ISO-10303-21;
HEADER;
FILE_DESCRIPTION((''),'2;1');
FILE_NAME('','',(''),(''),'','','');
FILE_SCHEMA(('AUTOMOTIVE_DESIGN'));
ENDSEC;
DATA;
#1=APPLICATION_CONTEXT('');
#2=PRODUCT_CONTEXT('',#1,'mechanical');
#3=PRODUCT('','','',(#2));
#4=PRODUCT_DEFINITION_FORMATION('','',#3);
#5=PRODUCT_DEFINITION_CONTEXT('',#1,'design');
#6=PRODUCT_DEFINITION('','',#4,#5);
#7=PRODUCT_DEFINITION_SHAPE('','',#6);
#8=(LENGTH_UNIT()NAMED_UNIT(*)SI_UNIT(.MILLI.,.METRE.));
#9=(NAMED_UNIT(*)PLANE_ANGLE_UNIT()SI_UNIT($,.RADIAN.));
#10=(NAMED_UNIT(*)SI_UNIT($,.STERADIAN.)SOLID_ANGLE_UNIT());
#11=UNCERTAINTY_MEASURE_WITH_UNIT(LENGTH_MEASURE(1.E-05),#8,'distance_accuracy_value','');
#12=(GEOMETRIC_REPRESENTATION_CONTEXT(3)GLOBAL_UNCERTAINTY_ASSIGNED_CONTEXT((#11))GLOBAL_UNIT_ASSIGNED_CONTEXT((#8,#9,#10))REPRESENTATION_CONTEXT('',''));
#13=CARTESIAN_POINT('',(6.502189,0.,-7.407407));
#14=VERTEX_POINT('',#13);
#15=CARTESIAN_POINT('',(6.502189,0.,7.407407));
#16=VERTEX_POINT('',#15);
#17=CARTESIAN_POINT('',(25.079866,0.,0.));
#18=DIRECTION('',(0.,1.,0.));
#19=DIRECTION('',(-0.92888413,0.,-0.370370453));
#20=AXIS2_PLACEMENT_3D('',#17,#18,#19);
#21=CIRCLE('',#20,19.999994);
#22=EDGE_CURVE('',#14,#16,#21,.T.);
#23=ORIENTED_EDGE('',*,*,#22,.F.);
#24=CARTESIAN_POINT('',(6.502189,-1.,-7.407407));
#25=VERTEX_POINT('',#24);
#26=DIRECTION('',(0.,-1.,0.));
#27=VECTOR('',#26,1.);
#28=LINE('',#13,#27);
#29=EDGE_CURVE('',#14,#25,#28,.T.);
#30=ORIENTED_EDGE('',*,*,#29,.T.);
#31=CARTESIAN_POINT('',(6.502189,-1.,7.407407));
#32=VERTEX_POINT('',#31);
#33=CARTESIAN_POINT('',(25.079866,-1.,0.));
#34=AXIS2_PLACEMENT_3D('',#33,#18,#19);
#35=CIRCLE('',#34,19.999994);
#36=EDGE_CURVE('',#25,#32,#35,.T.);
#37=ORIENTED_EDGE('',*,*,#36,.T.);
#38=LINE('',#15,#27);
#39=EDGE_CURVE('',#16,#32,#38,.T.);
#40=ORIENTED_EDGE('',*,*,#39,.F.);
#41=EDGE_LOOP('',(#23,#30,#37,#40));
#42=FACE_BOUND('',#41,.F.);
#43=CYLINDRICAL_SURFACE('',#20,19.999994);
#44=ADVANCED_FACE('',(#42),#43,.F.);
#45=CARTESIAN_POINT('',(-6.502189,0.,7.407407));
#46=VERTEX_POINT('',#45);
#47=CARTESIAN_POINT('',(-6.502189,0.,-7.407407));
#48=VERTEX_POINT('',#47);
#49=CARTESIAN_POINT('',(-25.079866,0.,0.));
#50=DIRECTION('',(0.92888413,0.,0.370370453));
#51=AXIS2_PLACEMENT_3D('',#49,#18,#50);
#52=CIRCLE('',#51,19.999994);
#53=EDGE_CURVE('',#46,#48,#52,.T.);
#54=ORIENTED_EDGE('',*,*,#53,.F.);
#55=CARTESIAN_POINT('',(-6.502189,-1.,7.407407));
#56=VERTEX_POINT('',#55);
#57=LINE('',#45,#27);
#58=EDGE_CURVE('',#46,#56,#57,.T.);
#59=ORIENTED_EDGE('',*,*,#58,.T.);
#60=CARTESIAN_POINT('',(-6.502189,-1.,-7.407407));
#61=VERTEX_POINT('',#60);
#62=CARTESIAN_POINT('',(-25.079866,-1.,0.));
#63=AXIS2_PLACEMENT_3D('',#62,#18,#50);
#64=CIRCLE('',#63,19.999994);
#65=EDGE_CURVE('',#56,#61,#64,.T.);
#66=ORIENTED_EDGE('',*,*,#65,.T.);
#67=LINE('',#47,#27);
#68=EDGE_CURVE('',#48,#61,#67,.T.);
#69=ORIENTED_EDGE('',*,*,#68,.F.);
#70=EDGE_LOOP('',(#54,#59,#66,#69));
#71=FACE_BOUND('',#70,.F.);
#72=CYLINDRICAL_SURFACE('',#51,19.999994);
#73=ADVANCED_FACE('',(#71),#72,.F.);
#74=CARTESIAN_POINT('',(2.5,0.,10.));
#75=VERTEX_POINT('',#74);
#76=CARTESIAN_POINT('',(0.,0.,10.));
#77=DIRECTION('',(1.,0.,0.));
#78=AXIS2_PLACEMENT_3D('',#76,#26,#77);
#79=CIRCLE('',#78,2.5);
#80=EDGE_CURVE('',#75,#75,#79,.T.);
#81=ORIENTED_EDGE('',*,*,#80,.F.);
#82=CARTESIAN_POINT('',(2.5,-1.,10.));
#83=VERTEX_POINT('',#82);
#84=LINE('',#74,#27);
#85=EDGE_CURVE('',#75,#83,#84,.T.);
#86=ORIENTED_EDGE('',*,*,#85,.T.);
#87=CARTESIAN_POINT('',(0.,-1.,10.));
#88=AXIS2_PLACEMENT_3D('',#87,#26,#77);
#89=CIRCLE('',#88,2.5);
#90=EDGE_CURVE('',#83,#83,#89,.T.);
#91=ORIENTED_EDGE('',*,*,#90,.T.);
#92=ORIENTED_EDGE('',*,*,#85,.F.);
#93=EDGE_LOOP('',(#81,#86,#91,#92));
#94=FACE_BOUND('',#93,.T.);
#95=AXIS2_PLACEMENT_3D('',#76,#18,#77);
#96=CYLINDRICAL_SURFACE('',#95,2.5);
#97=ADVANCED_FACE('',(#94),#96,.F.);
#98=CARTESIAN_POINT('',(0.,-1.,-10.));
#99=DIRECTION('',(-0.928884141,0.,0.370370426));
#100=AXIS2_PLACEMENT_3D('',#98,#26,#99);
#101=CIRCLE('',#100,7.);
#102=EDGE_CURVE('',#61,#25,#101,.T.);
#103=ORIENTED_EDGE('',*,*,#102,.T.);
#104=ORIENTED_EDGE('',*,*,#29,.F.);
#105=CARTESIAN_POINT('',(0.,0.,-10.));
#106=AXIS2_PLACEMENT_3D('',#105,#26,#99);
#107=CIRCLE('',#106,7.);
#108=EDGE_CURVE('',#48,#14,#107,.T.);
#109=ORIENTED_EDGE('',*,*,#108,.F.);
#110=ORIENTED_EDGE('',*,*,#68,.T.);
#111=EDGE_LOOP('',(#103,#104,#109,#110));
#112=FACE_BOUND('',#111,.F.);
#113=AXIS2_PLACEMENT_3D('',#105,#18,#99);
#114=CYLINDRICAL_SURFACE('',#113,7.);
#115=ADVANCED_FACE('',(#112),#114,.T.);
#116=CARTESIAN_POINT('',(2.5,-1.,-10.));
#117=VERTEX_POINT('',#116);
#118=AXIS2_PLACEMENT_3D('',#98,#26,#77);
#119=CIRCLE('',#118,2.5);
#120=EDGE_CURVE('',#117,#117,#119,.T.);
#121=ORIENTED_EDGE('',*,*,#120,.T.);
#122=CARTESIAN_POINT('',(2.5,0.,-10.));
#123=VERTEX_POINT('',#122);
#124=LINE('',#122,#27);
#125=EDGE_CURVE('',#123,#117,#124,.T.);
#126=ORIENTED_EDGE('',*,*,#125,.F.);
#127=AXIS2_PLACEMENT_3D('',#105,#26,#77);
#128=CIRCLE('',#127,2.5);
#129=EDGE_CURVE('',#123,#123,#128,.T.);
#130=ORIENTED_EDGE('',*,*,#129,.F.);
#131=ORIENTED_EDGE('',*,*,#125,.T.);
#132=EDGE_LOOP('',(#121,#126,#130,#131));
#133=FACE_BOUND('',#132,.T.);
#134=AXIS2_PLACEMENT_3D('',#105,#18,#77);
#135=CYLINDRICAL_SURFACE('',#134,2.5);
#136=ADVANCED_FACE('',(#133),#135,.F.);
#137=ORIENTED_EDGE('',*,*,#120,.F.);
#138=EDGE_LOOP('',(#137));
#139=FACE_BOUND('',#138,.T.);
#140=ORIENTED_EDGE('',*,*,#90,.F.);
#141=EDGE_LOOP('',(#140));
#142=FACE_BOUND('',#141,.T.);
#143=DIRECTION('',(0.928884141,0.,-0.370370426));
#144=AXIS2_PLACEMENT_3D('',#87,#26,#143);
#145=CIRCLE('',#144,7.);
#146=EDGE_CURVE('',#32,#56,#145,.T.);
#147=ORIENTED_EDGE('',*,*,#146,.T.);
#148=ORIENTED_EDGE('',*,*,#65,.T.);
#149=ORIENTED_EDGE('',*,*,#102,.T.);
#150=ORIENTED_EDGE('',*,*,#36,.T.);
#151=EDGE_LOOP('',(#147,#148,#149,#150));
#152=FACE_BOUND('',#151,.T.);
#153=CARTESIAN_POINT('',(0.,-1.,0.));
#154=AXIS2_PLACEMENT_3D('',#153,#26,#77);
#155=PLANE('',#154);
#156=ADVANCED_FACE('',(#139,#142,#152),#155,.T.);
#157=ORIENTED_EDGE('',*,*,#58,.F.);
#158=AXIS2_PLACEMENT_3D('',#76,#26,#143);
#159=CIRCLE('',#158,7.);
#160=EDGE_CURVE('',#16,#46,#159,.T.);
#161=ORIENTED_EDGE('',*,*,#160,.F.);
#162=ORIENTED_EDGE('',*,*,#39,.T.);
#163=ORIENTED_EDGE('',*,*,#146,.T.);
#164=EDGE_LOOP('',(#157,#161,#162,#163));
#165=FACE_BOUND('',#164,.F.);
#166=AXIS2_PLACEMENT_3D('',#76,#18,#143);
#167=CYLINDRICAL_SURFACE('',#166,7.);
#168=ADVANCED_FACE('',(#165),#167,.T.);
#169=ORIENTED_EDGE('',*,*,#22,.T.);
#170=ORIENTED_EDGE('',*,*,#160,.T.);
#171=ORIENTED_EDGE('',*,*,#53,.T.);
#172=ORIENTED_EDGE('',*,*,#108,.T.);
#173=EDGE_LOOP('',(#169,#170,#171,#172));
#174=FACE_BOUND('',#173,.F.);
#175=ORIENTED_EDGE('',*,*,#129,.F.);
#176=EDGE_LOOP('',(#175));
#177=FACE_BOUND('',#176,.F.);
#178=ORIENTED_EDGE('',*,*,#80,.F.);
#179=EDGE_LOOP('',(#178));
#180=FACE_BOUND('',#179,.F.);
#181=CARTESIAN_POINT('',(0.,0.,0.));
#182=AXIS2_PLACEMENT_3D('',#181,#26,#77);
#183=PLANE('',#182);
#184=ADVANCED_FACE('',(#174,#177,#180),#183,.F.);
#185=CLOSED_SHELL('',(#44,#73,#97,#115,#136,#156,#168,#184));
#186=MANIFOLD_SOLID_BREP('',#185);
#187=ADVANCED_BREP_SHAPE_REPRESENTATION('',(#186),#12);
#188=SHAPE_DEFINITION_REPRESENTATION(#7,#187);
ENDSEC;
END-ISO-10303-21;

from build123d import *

# Parameters (mm, degrees)
F0_R     = 2.5
F1_DEPTH = 1


with BuildPart() as f1:
    # F0 (on Front) → F1 (new body)
    with BuildSketch(Plane.XZ):
        with BuildLine():
            ThreePointArc((6.502189, -7.407407), (5.079872, 0), (6.502189, 7.407407))
            ThreePointArc((6.502189, 7.407407), (0, 17), (-6.502189, 7.407407))
            ThreePointArc((-6.502189, 7.407407), (-5.079872, 0), (-6.502189, -7.407407))
            ThreePointArc((-6.502189, -7.407407), (0, -17), (6.502189, -7.407407))
        make_face()
        with Locations((0, -10)):
            Circle(F0_R, mode=Mode.SUBTRACT)
        with Locations((0, 10)):
            Circle(F0_R, mode=Mode.SUBTRACT)
    extrude(amount=F1_DEPTH)


solid = f1.part
